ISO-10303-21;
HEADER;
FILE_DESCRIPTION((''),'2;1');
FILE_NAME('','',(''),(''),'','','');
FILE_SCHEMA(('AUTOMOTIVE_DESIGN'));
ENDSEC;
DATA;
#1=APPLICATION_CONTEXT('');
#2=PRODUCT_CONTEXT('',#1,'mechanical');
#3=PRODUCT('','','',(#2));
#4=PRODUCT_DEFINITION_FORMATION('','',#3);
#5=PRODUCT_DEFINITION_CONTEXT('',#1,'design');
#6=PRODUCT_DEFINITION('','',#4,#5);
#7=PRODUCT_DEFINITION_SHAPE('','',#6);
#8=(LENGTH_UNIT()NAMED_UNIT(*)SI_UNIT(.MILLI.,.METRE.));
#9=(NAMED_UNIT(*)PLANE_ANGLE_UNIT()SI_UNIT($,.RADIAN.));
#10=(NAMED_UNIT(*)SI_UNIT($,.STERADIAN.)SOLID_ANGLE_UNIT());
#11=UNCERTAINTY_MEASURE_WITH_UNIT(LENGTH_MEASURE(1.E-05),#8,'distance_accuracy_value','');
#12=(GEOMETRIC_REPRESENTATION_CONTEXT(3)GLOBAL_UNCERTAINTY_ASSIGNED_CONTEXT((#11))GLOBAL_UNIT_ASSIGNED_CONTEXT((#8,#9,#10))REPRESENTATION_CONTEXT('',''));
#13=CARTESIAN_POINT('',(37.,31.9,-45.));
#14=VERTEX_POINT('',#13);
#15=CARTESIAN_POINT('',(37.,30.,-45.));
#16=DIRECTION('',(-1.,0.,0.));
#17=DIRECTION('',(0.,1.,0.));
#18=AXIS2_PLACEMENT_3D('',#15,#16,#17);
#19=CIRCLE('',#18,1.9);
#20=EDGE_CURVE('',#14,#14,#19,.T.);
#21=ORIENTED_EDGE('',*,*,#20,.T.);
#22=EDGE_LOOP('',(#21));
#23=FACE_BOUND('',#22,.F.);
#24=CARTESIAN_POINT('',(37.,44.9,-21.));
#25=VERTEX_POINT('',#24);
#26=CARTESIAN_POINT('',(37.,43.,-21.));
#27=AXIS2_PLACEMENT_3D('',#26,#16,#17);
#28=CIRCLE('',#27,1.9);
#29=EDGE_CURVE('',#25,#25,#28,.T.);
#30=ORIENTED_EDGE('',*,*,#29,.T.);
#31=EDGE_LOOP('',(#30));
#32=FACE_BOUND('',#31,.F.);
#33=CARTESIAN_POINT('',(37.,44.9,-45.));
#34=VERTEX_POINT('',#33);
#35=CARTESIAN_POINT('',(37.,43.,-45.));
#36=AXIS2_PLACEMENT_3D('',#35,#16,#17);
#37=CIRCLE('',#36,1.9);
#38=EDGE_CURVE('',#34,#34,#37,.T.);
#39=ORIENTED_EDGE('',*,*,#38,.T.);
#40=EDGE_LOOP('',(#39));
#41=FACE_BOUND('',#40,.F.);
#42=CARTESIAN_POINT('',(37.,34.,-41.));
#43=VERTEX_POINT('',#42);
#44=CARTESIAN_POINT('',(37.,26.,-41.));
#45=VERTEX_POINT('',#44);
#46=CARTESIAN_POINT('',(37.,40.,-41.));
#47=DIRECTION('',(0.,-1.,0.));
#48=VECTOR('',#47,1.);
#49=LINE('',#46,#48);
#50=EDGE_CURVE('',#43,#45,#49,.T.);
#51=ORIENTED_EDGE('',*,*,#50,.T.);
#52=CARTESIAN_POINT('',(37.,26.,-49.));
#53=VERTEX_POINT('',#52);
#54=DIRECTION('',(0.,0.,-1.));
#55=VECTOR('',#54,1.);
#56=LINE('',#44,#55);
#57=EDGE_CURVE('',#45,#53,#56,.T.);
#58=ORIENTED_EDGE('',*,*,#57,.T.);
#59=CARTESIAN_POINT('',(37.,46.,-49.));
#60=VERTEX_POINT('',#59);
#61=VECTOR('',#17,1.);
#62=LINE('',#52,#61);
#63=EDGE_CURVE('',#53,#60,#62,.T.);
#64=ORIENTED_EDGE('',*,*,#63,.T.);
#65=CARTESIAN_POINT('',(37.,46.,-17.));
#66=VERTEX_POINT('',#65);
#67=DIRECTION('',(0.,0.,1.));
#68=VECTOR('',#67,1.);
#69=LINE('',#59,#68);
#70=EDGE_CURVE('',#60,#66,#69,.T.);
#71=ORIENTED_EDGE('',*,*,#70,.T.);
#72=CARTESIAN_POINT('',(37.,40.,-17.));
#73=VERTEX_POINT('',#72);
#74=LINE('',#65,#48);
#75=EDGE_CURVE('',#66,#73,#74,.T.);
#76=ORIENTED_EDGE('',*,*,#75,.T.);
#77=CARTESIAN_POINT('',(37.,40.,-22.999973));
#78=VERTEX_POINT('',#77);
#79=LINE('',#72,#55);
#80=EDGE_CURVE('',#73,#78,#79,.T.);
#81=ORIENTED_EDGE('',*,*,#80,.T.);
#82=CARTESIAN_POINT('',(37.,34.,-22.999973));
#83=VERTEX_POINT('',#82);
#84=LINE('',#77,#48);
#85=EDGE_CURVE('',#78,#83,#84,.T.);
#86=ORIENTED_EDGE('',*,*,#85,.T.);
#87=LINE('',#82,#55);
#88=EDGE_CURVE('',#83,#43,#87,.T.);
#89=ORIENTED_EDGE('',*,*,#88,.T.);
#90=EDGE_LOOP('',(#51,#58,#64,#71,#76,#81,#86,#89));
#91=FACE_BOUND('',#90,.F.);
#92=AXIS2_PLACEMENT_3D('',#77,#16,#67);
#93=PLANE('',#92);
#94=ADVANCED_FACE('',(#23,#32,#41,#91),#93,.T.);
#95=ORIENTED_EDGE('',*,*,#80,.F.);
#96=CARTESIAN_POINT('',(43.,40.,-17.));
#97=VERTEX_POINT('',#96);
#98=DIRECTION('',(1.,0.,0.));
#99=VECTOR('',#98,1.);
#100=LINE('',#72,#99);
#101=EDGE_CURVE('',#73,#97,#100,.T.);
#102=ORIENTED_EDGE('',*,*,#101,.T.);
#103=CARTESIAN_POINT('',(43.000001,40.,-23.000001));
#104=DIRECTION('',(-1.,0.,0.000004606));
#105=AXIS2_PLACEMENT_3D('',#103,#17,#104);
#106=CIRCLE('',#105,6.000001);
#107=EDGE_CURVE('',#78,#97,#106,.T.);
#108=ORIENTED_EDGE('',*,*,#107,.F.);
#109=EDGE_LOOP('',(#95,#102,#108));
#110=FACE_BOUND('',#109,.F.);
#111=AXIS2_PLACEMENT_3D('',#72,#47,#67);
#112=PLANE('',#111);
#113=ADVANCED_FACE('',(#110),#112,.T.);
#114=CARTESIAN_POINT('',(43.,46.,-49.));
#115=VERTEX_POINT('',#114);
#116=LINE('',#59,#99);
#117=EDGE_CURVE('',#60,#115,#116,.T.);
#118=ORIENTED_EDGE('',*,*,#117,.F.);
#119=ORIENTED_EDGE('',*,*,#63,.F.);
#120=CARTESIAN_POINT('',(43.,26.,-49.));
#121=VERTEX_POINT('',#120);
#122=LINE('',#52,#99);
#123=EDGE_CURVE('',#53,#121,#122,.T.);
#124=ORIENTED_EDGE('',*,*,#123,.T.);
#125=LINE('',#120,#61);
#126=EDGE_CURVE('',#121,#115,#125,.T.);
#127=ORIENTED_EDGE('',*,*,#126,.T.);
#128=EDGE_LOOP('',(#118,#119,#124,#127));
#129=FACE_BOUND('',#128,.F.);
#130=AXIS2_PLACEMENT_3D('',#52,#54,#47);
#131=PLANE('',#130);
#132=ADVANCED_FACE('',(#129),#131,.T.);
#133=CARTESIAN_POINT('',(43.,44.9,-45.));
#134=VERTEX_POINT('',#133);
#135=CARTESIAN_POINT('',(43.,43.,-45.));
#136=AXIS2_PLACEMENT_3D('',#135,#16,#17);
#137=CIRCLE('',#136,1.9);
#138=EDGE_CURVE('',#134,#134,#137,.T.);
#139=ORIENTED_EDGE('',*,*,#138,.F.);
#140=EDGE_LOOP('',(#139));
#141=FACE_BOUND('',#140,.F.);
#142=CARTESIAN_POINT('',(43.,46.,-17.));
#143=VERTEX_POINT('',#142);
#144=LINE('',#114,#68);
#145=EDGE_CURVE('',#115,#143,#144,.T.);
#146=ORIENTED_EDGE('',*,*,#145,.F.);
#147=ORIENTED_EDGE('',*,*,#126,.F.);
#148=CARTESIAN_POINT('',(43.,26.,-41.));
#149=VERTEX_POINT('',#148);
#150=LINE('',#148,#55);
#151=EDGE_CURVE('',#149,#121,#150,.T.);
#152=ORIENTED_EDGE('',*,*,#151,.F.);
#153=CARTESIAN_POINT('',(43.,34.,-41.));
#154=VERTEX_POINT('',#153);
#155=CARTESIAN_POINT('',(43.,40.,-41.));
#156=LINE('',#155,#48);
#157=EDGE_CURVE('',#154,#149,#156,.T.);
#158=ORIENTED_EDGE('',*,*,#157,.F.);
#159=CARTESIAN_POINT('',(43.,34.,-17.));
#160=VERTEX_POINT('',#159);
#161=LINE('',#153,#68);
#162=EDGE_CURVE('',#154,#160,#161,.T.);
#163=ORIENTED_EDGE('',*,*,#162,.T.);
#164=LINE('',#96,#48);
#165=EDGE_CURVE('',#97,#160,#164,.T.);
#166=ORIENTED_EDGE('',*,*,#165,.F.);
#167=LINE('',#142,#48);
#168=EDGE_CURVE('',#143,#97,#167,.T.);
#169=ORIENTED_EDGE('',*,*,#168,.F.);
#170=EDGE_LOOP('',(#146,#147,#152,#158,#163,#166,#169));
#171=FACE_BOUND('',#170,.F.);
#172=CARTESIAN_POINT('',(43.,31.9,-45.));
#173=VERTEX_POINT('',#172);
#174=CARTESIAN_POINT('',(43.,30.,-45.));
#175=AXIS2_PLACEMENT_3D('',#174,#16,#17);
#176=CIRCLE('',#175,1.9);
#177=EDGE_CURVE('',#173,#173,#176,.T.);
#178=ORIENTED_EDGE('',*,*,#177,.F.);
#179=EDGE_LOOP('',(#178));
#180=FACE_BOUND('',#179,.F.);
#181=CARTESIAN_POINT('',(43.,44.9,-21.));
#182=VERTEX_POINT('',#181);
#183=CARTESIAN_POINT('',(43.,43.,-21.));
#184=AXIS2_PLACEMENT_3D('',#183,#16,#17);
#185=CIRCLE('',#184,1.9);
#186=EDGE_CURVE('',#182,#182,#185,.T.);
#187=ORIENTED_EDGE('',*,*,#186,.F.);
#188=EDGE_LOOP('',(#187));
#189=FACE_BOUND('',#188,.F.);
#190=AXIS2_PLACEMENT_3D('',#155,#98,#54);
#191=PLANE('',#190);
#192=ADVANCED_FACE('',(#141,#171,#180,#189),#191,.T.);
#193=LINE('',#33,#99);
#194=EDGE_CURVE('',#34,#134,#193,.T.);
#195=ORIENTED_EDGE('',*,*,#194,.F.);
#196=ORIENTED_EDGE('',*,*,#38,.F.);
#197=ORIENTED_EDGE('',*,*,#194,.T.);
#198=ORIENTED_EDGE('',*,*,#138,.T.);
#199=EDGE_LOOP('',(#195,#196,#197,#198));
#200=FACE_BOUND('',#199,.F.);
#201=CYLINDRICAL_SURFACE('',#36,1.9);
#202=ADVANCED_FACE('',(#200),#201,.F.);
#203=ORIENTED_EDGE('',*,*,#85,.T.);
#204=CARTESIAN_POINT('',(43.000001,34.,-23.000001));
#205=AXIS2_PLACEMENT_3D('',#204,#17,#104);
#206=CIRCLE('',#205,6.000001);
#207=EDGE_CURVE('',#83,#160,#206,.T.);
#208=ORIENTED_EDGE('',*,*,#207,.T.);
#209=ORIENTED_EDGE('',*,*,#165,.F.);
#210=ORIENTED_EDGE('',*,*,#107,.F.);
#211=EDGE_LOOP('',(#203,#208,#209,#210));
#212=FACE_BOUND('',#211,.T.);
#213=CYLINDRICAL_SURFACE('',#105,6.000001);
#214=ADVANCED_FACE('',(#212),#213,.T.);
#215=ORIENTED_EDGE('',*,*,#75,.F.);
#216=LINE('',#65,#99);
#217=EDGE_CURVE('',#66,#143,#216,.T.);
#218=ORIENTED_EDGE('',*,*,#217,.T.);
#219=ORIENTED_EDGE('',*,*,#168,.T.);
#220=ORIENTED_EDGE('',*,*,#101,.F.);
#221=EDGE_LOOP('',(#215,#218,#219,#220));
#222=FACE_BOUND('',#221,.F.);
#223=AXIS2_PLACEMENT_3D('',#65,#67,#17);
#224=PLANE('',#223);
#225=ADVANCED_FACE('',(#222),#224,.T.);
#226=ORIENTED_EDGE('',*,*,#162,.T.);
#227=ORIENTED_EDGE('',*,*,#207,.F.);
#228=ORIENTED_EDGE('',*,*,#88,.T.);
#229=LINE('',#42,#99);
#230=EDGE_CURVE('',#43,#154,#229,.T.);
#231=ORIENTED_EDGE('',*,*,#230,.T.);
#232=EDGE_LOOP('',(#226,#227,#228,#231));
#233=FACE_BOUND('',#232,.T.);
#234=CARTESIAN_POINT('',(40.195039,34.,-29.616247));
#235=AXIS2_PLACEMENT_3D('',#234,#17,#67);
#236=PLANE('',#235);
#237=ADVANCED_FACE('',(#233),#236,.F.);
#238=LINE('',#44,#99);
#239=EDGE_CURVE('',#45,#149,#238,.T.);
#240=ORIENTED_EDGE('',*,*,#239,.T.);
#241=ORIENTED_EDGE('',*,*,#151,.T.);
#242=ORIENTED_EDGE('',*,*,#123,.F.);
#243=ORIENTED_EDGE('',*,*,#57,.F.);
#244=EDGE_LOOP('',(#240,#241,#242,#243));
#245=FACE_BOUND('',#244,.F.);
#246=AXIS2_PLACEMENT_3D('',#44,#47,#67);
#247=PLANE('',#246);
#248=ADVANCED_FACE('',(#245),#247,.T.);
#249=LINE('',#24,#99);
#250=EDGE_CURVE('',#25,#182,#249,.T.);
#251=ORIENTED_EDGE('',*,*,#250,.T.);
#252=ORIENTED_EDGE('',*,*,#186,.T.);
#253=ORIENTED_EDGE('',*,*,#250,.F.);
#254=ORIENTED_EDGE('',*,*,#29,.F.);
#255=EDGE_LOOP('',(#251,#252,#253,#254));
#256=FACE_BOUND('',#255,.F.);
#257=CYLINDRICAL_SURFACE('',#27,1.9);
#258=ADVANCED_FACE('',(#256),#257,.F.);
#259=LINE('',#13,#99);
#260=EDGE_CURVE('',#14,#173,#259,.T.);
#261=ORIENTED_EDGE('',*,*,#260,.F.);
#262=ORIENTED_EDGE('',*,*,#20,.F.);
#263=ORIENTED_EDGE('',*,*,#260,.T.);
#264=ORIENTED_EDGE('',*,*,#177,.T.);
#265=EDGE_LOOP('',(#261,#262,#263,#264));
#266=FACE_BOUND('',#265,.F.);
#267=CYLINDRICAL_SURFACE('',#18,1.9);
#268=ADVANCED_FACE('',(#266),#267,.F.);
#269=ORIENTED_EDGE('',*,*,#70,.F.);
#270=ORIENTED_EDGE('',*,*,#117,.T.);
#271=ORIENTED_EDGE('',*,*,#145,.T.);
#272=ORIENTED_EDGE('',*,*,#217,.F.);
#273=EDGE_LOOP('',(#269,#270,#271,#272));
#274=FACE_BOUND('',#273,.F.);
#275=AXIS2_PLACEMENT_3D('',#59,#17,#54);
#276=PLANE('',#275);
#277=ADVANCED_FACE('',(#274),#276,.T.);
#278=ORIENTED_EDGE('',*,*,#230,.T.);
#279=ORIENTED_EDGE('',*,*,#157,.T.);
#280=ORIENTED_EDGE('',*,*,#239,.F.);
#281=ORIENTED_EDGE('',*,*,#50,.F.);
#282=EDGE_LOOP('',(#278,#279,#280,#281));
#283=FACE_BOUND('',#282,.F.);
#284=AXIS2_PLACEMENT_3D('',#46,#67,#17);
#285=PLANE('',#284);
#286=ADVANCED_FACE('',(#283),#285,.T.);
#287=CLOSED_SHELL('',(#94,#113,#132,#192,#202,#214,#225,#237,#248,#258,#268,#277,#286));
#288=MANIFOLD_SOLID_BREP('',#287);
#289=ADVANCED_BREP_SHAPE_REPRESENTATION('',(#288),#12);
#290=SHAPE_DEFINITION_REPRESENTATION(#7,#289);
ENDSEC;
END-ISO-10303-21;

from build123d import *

# Parameters (mm, degrees)
SKETCH024_R  = 1.9
PAD015_DEPTH = 6
PAD016_DEPTH = 6


with BuildPart() as pad016:
    # Sketch024 → Pad015 (new body)
    with BuildSketch(Plane(origin=(-37, 0, 0), x_dir=(0, 1, 0), z_dir=(-1, 0, 0))):
        Polygon((46, 17), (40, 17), (40, 41), (26, 41), (26, 49), (46, 49), align=None)
        with Locations((43, 21)):
            Circle(SKETCH024_R, mode=Mode.SUBTRACT)
        with Locations((30, 45)):
            Circle(SKETCH024_R, mode=Mode.SUBTRACT)
        with Locations((43, 45)):
            Circle(SKETCH024_R, mode=Mode.SUBTRACT)
    extrude(amount=PAD015_DEPTH)

    # Sketch025 → Pad016 (new body)
    with BuildSketch(Plane(origin=(-37, 40, 0), x_dir=(0, 0, 1), z_dir=(0, -1, 0))):
        with BuildLine():
            Line((-41, 6), (-17, 6))
            ThreePointArc((-22.999973, 0), (-18.75735, 1.757369), (-17, 6))
            Line((-22.999973, 0), (-41, 0))
            Line((-41, 0), (-41, 6))
        make_face()
    extrude(amount=PAD016_DEPTH)


with BuildPart() as part_mirroring001:
    # Part__Mirroring001: instance of Pad016
    add(pad016.part.mirror(Plane(origin=(0, 0, 0), x_dir=(0, -1, 0), z_dir=(1, 0, 0))))


solid = part_mirroring001.part
